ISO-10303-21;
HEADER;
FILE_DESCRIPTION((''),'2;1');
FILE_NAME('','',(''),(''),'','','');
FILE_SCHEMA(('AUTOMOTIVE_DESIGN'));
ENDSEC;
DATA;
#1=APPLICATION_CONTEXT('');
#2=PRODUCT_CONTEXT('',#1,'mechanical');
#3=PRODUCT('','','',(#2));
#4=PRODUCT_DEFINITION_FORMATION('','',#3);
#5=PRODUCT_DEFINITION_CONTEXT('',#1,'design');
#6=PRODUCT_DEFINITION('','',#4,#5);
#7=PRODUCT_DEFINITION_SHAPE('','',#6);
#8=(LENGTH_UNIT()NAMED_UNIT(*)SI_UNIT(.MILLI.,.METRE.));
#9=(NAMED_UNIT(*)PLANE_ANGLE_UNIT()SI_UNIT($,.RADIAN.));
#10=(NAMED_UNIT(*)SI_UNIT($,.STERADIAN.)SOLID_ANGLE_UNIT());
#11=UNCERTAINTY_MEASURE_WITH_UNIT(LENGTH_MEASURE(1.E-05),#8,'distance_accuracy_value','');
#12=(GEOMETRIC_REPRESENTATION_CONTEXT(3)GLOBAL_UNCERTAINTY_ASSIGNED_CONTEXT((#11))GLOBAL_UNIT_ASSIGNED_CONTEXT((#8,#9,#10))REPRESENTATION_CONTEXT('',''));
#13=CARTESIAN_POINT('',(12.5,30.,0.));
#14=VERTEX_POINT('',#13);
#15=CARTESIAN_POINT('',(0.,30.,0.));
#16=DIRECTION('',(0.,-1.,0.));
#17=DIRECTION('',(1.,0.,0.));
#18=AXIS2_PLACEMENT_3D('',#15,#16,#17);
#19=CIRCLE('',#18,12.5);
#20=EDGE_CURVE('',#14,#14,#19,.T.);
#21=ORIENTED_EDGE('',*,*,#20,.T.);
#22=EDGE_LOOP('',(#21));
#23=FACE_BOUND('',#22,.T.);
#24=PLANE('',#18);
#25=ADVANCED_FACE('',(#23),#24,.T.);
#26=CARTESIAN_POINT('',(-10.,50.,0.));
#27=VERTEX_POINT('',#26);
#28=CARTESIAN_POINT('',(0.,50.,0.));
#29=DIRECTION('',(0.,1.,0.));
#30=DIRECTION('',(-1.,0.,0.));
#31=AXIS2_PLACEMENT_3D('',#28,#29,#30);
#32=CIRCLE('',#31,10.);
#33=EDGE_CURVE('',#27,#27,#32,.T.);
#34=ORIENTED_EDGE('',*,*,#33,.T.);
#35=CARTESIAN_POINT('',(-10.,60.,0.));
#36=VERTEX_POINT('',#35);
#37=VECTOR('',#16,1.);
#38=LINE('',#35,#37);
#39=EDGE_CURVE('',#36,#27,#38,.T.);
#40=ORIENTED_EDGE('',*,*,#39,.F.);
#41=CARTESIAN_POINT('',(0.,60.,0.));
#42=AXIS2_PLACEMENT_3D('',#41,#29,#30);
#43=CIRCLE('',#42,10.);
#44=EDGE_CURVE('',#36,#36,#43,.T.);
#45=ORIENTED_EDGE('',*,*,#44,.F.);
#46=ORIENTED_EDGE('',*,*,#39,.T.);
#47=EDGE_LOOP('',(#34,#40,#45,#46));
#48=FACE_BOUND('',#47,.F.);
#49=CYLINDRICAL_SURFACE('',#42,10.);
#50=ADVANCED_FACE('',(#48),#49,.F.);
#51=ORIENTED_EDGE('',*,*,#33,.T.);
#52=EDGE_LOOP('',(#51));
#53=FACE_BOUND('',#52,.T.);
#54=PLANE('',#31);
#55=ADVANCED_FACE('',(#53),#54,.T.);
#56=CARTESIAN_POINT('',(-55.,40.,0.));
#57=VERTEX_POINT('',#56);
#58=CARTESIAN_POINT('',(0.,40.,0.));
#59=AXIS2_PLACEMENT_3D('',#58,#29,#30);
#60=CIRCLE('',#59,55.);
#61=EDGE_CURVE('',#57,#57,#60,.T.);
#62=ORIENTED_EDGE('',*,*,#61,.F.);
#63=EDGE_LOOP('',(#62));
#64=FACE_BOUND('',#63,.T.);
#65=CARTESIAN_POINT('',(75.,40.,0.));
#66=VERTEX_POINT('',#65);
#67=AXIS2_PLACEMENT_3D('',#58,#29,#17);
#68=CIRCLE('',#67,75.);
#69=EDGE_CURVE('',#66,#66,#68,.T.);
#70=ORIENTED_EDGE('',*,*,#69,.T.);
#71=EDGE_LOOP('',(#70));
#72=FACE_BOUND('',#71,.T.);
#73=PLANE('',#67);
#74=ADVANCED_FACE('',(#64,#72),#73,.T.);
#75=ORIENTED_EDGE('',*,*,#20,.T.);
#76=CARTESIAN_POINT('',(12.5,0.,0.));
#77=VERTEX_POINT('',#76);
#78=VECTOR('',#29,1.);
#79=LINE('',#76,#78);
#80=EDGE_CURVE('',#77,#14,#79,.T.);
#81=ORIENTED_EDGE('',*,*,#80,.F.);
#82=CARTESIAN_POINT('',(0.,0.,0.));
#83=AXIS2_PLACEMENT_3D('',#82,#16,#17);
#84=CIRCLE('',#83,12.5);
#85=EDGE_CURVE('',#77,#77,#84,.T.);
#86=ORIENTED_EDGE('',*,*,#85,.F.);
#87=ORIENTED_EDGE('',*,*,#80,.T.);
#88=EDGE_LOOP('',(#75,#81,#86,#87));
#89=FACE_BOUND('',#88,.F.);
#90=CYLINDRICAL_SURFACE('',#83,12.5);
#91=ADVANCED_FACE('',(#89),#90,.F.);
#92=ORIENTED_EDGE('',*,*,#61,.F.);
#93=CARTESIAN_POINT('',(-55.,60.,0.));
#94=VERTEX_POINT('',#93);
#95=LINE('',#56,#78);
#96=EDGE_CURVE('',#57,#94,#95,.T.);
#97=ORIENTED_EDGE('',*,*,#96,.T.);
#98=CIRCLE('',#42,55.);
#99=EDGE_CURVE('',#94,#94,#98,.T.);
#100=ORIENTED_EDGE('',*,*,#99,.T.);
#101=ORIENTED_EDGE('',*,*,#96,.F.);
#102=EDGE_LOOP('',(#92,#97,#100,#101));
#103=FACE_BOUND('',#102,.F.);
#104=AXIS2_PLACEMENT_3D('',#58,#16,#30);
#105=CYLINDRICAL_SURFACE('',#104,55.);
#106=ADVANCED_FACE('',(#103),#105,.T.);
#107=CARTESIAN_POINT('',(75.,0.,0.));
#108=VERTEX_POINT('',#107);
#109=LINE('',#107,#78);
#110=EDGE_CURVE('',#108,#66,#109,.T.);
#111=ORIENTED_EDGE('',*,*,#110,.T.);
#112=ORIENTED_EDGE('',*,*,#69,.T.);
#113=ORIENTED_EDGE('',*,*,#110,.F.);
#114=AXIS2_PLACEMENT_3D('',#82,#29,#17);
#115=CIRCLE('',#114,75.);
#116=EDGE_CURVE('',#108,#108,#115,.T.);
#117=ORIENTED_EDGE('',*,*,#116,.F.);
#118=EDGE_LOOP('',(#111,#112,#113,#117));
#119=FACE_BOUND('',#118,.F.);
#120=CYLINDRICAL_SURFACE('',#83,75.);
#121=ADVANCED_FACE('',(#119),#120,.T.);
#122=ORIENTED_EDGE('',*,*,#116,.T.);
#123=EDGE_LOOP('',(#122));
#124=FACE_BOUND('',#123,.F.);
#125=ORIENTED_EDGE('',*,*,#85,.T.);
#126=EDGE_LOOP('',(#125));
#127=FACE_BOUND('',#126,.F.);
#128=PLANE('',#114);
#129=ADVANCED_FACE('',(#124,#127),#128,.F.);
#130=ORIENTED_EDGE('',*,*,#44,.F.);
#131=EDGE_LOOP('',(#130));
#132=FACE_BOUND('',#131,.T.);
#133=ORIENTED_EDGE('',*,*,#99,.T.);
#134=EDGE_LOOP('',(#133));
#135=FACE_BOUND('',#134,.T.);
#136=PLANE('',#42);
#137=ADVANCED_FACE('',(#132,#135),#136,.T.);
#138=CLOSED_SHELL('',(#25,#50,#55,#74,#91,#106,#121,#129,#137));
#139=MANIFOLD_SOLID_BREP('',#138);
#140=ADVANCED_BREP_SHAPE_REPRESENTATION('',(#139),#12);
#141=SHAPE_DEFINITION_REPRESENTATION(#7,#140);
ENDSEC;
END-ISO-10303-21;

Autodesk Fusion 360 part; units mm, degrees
sketch "Sketch1" plane through (0, 0, 0) normal (0, 1, 0) x (1, 0, 0)
  circle A0 centre (0, 0) radius 75
  dimension "d1" = 150
extrude "Extrude1" add sketch "Sketch1" along normal blind 40 makes body 1
sketch "Sketch2" plane through (0, 40, 0) normal (0, 1, 0) x (-1, 0, 0)
  circle A0 centre (0, 0) radius 75
  circle A1 centre (0, 0) radius 55
  dimension "d4" = 110
extrude "Extrude2" add sketch "Sketch2" along normal blind 20 contours A1 bodies 1
sketch "Sketch3" plane through (0, 60, 0) normal (0, 1, 0) x (-1, 0, 0)
  circle A0 centre (0, 0) radius 55
sketch "Sketch4" plane through (0, 60, 0) normal (0, 1, 0) x (-1, 0, 0)
  circle A0 centre (0, 0) radius 10
  dimension "d7" = 20
extrude "Extrude3" cut sketch "Sketch4" against normal blind 10 bodies 1
sketch "Sketch6" plane through (0, 0, 0) normal (0, -1, 0) x (1, 0, 0)
  circle A0 centre (0, 0) radius 75
  circle A1 centre (0, 0) radius 12.5
  dimension "d10" = 25
extrude "Extrude4" cut sketch "Sketch6" against normal blind 30 contours A1 bodies 1
copy_body "Body->Comp1" bodies 1 removing the originals makes body 2 in component "Component"
component "Component" placed x (1, 0, 0) y (0, 1, 0) z (0, 0, 1) at (0, 0, 0)
